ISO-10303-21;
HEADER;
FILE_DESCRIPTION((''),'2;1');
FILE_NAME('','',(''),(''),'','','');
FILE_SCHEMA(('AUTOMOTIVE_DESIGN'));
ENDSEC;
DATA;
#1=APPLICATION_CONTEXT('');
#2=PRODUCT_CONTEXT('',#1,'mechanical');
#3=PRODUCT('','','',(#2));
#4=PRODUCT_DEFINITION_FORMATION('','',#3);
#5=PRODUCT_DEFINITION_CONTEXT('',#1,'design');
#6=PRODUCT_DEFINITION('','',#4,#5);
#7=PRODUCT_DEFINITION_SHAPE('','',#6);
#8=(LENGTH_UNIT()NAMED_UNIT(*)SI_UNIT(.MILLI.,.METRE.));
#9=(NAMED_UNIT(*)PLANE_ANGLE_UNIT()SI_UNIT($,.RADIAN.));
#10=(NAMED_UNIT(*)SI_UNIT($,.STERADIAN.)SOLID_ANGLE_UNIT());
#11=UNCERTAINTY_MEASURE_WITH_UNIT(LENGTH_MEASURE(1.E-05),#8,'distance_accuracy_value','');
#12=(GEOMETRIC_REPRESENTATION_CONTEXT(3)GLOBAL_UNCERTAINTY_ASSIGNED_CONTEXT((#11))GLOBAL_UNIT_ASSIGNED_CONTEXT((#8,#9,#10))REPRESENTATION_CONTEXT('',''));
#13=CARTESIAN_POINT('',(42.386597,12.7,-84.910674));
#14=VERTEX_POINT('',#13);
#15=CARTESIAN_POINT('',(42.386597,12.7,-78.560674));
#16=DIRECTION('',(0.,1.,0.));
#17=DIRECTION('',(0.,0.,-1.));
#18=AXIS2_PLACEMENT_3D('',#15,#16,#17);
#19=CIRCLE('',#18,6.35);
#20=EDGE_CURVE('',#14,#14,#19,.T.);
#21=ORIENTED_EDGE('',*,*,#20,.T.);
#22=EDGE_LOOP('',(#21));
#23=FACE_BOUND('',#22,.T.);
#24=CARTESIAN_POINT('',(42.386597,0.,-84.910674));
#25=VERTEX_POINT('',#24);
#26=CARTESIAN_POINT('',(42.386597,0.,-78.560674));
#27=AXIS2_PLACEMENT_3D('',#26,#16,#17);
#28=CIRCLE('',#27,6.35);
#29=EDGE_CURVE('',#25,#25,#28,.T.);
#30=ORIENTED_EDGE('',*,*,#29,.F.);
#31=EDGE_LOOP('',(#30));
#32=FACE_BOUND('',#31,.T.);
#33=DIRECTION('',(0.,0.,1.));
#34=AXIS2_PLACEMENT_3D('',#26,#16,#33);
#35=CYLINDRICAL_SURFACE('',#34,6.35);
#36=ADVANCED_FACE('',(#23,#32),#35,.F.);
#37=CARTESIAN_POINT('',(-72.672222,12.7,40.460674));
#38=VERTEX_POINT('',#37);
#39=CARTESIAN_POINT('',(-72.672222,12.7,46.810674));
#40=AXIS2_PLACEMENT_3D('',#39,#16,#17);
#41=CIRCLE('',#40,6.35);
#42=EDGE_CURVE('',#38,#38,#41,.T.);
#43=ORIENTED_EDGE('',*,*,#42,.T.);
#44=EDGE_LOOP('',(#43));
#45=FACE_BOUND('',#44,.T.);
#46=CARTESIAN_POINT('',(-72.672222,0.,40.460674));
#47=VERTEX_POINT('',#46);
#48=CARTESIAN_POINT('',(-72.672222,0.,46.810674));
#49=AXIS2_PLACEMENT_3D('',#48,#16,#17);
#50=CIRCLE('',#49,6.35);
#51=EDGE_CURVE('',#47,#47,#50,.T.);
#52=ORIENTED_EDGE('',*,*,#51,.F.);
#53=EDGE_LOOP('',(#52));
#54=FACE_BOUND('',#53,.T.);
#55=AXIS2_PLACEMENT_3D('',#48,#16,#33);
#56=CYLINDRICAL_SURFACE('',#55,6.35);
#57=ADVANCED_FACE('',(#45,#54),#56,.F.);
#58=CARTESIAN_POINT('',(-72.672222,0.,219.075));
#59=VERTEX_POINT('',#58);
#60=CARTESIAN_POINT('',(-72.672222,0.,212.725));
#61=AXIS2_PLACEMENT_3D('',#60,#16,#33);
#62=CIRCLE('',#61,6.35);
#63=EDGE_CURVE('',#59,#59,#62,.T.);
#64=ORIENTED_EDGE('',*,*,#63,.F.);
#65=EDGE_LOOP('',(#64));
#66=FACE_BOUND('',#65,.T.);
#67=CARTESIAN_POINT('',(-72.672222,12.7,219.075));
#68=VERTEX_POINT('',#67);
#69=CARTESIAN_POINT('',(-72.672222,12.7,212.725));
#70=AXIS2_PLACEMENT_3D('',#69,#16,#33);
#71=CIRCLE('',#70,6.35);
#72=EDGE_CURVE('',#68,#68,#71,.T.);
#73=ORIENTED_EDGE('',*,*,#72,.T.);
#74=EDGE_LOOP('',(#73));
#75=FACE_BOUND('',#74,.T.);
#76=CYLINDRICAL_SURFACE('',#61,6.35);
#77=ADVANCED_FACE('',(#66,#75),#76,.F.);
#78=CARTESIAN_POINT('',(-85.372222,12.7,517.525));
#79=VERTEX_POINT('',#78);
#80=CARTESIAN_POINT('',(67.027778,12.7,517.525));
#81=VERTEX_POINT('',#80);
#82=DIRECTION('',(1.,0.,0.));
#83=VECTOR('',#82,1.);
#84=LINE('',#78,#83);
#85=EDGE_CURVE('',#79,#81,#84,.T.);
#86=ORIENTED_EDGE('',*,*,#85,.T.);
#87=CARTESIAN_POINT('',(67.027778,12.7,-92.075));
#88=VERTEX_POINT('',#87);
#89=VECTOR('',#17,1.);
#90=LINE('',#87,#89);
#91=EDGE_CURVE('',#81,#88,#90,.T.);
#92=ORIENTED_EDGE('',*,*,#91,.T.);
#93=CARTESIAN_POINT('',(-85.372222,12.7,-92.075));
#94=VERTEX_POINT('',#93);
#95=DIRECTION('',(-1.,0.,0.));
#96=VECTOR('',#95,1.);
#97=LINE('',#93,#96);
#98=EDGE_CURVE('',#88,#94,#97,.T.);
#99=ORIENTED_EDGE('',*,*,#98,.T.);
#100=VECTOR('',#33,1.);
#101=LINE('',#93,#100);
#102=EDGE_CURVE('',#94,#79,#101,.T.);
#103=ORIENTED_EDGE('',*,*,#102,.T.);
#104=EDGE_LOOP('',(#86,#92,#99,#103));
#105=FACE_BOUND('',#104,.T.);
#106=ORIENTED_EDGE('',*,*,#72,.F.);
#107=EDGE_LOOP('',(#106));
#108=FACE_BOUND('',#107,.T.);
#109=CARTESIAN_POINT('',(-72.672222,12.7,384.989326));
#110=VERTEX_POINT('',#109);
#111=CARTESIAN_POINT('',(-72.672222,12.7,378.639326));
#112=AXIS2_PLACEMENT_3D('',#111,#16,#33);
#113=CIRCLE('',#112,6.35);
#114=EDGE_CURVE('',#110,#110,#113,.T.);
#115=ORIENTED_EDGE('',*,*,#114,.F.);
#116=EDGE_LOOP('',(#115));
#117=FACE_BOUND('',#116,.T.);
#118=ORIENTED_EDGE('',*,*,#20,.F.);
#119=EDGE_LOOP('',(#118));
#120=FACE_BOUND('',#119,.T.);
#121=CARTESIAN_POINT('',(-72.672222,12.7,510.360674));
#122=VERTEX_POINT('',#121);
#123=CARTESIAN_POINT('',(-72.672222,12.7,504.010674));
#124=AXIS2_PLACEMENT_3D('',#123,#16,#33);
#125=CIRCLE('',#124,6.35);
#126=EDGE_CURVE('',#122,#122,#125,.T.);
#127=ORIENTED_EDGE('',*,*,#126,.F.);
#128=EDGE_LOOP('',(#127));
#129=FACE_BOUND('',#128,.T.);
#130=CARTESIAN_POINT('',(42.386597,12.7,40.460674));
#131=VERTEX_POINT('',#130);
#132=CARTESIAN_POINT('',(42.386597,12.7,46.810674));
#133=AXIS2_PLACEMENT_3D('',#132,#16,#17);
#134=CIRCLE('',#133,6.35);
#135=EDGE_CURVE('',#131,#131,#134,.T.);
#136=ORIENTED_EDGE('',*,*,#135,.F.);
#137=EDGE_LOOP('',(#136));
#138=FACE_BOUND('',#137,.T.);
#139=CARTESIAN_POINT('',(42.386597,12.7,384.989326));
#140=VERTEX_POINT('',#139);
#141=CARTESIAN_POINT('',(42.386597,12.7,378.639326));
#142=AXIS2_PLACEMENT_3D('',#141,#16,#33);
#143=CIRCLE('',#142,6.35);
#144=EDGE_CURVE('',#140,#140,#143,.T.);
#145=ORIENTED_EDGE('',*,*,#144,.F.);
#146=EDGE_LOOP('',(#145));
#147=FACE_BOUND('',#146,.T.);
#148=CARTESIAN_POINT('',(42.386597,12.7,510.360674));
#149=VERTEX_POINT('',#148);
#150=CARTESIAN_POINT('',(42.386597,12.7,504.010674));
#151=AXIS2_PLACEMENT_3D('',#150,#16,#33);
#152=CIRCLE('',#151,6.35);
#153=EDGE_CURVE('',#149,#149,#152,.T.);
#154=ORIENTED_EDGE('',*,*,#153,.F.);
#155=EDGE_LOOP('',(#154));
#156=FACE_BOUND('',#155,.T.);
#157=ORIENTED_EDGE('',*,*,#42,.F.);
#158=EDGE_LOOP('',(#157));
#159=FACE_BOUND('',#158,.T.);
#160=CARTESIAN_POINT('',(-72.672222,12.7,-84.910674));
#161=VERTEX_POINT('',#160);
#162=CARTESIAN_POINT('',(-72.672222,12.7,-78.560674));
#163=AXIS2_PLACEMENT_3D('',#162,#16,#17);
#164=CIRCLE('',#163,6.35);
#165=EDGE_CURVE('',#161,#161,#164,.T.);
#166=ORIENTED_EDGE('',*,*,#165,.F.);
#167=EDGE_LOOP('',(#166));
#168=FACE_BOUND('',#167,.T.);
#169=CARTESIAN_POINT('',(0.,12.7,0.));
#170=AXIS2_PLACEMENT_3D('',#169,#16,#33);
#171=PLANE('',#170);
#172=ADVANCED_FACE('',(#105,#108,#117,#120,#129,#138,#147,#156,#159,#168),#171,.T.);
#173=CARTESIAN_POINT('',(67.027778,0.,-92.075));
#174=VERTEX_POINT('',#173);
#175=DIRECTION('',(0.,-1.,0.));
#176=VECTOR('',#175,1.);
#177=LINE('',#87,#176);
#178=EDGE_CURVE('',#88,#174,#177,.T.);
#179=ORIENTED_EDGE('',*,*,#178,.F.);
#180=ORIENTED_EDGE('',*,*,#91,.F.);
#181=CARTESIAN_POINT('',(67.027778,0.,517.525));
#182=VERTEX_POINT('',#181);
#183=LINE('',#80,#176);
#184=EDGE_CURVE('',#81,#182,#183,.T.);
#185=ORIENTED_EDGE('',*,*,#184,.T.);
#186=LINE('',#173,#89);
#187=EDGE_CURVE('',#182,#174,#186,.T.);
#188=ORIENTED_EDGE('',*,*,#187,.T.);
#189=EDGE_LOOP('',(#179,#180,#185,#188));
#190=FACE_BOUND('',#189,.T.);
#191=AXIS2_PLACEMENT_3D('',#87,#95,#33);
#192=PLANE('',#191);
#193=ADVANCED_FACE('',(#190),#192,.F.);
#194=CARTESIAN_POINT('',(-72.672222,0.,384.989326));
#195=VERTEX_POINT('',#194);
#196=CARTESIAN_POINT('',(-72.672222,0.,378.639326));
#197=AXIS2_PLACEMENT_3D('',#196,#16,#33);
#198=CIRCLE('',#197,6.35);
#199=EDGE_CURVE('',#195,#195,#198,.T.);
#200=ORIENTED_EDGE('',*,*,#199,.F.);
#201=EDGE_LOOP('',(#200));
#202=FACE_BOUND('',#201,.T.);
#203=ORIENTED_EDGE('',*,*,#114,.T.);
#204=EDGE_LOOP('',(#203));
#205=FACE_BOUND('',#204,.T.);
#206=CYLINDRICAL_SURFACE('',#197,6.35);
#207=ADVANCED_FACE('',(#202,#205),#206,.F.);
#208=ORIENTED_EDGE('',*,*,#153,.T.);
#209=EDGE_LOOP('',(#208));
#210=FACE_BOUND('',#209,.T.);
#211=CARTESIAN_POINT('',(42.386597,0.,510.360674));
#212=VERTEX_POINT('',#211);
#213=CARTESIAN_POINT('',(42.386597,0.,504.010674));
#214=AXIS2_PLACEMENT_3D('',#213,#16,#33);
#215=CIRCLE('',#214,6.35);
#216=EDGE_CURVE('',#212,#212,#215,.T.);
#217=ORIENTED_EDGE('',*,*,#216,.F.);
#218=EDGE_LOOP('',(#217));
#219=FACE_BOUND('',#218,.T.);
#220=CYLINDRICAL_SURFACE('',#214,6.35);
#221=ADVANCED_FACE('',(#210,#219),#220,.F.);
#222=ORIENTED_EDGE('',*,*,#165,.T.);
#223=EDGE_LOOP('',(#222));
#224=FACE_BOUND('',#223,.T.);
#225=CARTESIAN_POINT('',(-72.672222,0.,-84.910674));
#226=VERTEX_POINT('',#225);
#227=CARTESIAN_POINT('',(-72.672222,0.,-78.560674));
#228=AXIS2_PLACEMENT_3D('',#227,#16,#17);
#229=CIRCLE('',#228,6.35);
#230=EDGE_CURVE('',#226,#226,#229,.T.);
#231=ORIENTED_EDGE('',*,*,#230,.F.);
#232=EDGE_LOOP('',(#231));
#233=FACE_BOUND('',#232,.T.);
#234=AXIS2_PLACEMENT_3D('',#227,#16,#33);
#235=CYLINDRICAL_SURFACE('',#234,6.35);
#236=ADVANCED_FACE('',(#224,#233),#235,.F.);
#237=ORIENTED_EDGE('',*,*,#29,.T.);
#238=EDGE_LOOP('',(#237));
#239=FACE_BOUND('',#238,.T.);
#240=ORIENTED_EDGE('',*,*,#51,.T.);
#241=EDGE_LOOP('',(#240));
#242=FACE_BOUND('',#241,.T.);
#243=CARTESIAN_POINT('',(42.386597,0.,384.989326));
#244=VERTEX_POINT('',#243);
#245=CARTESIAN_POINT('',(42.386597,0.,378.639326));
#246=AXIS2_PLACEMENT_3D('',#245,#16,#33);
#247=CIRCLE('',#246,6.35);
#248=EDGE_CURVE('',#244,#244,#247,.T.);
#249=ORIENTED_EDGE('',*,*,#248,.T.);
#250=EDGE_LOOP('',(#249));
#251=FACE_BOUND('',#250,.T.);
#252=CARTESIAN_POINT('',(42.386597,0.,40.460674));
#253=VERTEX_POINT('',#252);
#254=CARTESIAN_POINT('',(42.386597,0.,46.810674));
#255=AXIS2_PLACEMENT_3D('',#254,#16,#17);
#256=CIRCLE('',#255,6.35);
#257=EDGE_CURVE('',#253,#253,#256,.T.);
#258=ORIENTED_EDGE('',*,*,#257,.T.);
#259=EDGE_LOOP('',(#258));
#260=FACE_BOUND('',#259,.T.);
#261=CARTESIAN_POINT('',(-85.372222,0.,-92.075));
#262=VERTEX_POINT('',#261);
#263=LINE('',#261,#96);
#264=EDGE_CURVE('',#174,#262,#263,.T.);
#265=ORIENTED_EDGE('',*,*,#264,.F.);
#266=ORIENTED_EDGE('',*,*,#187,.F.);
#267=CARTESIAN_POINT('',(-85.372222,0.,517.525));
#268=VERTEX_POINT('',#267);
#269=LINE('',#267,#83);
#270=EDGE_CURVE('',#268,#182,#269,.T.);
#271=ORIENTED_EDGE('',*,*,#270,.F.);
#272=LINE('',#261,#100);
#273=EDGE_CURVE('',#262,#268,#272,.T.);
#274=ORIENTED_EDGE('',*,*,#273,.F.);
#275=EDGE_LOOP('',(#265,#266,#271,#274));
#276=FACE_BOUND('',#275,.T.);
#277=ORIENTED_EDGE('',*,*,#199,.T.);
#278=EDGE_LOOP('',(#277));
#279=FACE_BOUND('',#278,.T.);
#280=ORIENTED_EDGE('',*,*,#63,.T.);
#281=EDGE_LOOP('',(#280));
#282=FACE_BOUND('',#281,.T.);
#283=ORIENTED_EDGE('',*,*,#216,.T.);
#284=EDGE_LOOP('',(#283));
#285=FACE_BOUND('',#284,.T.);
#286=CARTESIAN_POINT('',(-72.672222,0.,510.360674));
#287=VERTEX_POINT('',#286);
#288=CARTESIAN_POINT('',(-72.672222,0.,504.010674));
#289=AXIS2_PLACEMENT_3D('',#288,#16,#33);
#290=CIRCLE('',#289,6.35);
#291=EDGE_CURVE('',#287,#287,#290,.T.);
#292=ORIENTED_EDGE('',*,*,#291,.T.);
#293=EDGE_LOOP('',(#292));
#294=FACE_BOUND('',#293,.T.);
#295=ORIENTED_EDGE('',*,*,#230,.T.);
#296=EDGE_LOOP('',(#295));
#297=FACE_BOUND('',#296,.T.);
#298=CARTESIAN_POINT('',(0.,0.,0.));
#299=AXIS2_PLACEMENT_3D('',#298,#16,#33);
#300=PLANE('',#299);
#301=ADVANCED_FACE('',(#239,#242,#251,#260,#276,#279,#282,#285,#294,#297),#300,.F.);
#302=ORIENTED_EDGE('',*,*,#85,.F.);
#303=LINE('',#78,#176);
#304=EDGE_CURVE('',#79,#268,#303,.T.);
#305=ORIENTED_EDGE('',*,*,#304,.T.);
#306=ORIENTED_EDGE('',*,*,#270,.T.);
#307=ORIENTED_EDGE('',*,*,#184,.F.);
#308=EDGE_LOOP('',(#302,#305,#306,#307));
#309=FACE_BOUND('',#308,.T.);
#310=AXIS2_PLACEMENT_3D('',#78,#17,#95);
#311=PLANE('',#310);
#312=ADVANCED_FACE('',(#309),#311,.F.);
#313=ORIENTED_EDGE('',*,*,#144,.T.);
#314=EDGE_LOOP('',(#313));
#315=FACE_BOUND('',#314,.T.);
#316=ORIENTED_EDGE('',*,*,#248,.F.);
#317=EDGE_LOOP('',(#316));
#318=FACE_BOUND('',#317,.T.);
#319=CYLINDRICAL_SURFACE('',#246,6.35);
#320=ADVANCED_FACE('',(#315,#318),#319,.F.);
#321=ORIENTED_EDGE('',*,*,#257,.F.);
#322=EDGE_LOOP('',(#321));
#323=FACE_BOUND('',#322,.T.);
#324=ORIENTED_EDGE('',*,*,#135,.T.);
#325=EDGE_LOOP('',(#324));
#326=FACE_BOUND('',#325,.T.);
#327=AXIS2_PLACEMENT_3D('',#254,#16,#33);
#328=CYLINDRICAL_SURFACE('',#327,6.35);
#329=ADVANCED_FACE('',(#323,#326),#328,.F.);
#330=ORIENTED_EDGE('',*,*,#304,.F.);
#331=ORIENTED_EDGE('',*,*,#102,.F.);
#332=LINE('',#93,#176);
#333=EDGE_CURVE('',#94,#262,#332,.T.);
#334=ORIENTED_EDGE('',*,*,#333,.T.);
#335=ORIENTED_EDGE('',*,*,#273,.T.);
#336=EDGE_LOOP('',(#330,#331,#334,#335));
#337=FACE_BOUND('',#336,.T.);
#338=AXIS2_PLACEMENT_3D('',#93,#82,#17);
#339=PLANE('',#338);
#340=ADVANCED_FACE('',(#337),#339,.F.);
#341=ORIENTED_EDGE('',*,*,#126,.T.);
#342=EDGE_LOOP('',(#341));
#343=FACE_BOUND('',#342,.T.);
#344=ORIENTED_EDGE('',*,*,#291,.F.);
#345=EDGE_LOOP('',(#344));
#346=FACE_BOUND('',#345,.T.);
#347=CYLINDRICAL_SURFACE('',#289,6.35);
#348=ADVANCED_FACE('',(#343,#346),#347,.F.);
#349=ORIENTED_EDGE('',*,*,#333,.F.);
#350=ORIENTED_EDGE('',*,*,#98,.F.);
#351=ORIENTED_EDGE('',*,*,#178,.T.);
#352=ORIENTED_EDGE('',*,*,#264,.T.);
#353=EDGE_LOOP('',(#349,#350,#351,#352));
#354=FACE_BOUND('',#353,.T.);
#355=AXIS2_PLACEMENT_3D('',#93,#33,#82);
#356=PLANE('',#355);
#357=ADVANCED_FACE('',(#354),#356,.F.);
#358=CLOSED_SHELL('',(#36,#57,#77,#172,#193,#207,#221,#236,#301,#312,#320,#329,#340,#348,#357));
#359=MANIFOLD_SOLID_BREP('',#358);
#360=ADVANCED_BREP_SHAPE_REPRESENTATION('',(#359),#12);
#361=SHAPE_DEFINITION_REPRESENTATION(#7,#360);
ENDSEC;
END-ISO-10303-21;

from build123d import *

# Parameters (mm, degrees)
SKETCH1_W           = 152.4
SKETCH1_H           = 609.6
BOSS_EXTRUDE1_DEPTH = 12.7
SKETCH2_R           = 6.35
CUT_EXTRUDE1_DEPTH  = 12.7


with BuildPart() as part:
    # Sketch1 → Boss-Extrude1 (new body)
    with BuildSketch(Plane(origin=(0, 0, 0), x_dir=(1, 0, 0), z_dir=(0, 1, 0))):
        with Locations((-9.172222222, -212.725)):
            Rectangle(SKETCH1_W, SKETCH1_H)
    extrude(amount=BOSS_EXTRUDE1_DEPTH)

    # Sketch2 → Cut-Extrude1 (cut)
    with BuildSketch(Plane(origin=(0, 12.7, 0), x_dir=(1, 0, 0), z_dir=(0, 1, 0))):
        with Locations((-72.672222222, -212.725)):
            Circle(SKETCH2_R)
        with Locations((-72.672222222, -378.63932586)):
            Circle(SKETCH2_R)
        with Locations((-72.672222222, -504.01067414)):
            Circle(SKETCH2_R)
        with Locations((42.386596789, -504.01067414)):
            Circle(SKETCH2_R)
        with Locations((42.386596789, -378.63932586)):
            Circle(SKETCH2_R)
        with Locations((42.386596789, -46.81067414)):
            Circle(SKETCH2_R)
        with Locations((42.386596789, 78.56067414)):
            Circle(SKETCH2_R)
        with Locations((-72.672222222, -46.81067414)):
            Circle(SKETCH2_R)
        with Locations((-72.672222222, 78.56067414)):
            Circle(SKETCH2_R)
    extrude(amount=-CUT_EXTRUDE1_DEPTH, mode=Mode.SUBTRACT)


solid = part.part
